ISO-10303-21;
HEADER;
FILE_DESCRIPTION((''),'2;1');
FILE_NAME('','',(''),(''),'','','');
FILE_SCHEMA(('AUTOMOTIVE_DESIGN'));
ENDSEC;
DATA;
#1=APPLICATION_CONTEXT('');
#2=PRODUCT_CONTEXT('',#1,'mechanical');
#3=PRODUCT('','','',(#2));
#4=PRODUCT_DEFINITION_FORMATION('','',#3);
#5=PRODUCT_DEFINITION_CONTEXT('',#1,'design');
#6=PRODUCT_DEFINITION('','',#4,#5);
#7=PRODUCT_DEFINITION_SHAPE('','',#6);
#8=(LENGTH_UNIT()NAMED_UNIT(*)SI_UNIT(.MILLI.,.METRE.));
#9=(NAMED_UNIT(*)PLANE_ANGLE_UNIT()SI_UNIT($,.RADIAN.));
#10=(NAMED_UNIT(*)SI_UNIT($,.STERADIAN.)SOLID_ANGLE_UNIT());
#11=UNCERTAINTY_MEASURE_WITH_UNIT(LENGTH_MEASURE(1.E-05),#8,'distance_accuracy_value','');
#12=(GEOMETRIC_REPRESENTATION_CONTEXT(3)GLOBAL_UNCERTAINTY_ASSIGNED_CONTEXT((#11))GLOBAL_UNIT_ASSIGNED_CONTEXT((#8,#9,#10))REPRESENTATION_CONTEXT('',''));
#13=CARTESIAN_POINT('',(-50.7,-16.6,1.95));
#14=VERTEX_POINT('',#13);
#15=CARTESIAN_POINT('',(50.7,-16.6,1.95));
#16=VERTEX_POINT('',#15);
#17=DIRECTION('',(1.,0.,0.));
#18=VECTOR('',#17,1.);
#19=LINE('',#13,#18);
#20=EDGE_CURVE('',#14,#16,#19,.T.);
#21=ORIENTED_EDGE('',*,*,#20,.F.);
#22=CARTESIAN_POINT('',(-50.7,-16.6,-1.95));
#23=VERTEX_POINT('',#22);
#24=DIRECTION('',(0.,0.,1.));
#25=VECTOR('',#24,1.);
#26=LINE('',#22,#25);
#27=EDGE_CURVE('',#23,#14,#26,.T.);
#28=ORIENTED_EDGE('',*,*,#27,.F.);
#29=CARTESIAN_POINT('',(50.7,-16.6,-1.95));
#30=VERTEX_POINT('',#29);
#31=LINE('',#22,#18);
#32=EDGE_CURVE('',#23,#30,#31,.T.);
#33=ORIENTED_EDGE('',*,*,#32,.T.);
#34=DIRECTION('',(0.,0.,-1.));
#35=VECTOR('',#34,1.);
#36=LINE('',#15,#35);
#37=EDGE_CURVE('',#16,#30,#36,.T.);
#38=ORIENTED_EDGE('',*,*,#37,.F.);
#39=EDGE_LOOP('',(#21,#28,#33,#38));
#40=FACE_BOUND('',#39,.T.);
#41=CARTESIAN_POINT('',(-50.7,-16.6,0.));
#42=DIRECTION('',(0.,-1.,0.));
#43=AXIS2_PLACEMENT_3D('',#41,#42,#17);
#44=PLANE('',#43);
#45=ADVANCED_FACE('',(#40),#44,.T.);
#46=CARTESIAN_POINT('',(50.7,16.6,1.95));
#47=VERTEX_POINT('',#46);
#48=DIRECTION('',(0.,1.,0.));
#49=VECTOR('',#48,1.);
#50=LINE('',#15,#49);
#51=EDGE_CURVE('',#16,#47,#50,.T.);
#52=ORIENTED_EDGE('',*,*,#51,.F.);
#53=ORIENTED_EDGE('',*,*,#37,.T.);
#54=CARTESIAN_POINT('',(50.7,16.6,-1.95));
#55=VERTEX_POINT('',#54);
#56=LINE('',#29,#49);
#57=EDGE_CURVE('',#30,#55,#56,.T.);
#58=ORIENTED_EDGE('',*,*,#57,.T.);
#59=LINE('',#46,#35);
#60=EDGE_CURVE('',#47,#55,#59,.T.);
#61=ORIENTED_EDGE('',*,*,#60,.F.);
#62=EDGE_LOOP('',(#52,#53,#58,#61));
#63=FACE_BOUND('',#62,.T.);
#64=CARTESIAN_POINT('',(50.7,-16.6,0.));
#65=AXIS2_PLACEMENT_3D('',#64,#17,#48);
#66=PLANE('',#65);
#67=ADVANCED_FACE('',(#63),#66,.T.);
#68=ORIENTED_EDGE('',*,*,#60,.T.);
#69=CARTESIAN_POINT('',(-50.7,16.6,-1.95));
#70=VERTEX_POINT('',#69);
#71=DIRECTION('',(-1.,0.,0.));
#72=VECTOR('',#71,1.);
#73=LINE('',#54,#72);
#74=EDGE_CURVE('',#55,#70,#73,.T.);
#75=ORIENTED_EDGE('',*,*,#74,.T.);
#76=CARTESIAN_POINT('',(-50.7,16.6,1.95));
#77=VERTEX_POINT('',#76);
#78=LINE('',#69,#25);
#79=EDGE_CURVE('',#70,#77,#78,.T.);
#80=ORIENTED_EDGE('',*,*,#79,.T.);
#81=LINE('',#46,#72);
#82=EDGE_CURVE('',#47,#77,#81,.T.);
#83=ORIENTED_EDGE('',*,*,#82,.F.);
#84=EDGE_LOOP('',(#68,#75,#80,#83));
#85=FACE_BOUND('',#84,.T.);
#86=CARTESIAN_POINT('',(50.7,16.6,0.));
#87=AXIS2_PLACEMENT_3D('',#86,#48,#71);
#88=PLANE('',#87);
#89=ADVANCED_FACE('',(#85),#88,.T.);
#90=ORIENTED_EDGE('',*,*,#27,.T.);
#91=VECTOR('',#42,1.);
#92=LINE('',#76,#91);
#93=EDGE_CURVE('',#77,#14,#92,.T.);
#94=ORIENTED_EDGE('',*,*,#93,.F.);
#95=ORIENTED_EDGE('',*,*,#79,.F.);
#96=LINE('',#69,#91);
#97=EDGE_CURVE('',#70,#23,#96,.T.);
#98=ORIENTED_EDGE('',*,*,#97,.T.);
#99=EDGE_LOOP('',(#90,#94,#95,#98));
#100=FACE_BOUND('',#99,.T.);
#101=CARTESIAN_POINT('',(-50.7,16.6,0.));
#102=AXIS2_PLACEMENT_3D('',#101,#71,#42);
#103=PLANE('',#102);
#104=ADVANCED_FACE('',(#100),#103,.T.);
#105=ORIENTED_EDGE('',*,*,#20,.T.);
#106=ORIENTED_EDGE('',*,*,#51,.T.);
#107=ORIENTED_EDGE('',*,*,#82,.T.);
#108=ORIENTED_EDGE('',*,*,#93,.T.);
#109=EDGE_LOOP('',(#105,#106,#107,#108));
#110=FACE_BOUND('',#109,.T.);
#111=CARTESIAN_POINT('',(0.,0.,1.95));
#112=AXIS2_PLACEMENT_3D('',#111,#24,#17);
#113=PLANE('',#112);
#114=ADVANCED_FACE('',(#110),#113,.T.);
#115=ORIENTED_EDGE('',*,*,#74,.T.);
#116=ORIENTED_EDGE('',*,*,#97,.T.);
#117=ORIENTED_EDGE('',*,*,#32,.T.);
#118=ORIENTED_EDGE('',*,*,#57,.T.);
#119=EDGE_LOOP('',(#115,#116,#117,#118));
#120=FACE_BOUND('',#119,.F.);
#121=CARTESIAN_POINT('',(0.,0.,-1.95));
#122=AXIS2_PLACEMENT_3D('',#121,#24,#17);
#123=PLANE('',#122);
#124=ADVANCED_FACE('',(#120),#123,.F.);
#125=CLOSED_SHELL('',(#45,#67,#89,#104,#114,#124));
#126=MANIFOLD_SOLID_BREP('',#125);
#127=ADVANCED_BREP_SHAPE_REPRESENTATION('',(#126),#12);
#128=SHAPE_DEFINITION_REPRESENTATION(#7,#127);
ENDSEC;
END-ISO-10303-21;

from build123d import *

# Parameters (mm, degrees)
F1_DEPTH = 1.95


with BuildPart() as f1:
    # F0 (on Top) → F1 (new body, symmetric)
    with BuildSketch(Plane.XY):
        Polygon((50.7, 16.6), (0, 16.6), (-50.7, 16.6), (-50.7, 0), (-50.7, -16.6), (0, -16.6), (50.7, -16.6), (50.7, 0), align=None)
    extrude(amount=F1_DEPTH, both=True)


solid = f1.part
